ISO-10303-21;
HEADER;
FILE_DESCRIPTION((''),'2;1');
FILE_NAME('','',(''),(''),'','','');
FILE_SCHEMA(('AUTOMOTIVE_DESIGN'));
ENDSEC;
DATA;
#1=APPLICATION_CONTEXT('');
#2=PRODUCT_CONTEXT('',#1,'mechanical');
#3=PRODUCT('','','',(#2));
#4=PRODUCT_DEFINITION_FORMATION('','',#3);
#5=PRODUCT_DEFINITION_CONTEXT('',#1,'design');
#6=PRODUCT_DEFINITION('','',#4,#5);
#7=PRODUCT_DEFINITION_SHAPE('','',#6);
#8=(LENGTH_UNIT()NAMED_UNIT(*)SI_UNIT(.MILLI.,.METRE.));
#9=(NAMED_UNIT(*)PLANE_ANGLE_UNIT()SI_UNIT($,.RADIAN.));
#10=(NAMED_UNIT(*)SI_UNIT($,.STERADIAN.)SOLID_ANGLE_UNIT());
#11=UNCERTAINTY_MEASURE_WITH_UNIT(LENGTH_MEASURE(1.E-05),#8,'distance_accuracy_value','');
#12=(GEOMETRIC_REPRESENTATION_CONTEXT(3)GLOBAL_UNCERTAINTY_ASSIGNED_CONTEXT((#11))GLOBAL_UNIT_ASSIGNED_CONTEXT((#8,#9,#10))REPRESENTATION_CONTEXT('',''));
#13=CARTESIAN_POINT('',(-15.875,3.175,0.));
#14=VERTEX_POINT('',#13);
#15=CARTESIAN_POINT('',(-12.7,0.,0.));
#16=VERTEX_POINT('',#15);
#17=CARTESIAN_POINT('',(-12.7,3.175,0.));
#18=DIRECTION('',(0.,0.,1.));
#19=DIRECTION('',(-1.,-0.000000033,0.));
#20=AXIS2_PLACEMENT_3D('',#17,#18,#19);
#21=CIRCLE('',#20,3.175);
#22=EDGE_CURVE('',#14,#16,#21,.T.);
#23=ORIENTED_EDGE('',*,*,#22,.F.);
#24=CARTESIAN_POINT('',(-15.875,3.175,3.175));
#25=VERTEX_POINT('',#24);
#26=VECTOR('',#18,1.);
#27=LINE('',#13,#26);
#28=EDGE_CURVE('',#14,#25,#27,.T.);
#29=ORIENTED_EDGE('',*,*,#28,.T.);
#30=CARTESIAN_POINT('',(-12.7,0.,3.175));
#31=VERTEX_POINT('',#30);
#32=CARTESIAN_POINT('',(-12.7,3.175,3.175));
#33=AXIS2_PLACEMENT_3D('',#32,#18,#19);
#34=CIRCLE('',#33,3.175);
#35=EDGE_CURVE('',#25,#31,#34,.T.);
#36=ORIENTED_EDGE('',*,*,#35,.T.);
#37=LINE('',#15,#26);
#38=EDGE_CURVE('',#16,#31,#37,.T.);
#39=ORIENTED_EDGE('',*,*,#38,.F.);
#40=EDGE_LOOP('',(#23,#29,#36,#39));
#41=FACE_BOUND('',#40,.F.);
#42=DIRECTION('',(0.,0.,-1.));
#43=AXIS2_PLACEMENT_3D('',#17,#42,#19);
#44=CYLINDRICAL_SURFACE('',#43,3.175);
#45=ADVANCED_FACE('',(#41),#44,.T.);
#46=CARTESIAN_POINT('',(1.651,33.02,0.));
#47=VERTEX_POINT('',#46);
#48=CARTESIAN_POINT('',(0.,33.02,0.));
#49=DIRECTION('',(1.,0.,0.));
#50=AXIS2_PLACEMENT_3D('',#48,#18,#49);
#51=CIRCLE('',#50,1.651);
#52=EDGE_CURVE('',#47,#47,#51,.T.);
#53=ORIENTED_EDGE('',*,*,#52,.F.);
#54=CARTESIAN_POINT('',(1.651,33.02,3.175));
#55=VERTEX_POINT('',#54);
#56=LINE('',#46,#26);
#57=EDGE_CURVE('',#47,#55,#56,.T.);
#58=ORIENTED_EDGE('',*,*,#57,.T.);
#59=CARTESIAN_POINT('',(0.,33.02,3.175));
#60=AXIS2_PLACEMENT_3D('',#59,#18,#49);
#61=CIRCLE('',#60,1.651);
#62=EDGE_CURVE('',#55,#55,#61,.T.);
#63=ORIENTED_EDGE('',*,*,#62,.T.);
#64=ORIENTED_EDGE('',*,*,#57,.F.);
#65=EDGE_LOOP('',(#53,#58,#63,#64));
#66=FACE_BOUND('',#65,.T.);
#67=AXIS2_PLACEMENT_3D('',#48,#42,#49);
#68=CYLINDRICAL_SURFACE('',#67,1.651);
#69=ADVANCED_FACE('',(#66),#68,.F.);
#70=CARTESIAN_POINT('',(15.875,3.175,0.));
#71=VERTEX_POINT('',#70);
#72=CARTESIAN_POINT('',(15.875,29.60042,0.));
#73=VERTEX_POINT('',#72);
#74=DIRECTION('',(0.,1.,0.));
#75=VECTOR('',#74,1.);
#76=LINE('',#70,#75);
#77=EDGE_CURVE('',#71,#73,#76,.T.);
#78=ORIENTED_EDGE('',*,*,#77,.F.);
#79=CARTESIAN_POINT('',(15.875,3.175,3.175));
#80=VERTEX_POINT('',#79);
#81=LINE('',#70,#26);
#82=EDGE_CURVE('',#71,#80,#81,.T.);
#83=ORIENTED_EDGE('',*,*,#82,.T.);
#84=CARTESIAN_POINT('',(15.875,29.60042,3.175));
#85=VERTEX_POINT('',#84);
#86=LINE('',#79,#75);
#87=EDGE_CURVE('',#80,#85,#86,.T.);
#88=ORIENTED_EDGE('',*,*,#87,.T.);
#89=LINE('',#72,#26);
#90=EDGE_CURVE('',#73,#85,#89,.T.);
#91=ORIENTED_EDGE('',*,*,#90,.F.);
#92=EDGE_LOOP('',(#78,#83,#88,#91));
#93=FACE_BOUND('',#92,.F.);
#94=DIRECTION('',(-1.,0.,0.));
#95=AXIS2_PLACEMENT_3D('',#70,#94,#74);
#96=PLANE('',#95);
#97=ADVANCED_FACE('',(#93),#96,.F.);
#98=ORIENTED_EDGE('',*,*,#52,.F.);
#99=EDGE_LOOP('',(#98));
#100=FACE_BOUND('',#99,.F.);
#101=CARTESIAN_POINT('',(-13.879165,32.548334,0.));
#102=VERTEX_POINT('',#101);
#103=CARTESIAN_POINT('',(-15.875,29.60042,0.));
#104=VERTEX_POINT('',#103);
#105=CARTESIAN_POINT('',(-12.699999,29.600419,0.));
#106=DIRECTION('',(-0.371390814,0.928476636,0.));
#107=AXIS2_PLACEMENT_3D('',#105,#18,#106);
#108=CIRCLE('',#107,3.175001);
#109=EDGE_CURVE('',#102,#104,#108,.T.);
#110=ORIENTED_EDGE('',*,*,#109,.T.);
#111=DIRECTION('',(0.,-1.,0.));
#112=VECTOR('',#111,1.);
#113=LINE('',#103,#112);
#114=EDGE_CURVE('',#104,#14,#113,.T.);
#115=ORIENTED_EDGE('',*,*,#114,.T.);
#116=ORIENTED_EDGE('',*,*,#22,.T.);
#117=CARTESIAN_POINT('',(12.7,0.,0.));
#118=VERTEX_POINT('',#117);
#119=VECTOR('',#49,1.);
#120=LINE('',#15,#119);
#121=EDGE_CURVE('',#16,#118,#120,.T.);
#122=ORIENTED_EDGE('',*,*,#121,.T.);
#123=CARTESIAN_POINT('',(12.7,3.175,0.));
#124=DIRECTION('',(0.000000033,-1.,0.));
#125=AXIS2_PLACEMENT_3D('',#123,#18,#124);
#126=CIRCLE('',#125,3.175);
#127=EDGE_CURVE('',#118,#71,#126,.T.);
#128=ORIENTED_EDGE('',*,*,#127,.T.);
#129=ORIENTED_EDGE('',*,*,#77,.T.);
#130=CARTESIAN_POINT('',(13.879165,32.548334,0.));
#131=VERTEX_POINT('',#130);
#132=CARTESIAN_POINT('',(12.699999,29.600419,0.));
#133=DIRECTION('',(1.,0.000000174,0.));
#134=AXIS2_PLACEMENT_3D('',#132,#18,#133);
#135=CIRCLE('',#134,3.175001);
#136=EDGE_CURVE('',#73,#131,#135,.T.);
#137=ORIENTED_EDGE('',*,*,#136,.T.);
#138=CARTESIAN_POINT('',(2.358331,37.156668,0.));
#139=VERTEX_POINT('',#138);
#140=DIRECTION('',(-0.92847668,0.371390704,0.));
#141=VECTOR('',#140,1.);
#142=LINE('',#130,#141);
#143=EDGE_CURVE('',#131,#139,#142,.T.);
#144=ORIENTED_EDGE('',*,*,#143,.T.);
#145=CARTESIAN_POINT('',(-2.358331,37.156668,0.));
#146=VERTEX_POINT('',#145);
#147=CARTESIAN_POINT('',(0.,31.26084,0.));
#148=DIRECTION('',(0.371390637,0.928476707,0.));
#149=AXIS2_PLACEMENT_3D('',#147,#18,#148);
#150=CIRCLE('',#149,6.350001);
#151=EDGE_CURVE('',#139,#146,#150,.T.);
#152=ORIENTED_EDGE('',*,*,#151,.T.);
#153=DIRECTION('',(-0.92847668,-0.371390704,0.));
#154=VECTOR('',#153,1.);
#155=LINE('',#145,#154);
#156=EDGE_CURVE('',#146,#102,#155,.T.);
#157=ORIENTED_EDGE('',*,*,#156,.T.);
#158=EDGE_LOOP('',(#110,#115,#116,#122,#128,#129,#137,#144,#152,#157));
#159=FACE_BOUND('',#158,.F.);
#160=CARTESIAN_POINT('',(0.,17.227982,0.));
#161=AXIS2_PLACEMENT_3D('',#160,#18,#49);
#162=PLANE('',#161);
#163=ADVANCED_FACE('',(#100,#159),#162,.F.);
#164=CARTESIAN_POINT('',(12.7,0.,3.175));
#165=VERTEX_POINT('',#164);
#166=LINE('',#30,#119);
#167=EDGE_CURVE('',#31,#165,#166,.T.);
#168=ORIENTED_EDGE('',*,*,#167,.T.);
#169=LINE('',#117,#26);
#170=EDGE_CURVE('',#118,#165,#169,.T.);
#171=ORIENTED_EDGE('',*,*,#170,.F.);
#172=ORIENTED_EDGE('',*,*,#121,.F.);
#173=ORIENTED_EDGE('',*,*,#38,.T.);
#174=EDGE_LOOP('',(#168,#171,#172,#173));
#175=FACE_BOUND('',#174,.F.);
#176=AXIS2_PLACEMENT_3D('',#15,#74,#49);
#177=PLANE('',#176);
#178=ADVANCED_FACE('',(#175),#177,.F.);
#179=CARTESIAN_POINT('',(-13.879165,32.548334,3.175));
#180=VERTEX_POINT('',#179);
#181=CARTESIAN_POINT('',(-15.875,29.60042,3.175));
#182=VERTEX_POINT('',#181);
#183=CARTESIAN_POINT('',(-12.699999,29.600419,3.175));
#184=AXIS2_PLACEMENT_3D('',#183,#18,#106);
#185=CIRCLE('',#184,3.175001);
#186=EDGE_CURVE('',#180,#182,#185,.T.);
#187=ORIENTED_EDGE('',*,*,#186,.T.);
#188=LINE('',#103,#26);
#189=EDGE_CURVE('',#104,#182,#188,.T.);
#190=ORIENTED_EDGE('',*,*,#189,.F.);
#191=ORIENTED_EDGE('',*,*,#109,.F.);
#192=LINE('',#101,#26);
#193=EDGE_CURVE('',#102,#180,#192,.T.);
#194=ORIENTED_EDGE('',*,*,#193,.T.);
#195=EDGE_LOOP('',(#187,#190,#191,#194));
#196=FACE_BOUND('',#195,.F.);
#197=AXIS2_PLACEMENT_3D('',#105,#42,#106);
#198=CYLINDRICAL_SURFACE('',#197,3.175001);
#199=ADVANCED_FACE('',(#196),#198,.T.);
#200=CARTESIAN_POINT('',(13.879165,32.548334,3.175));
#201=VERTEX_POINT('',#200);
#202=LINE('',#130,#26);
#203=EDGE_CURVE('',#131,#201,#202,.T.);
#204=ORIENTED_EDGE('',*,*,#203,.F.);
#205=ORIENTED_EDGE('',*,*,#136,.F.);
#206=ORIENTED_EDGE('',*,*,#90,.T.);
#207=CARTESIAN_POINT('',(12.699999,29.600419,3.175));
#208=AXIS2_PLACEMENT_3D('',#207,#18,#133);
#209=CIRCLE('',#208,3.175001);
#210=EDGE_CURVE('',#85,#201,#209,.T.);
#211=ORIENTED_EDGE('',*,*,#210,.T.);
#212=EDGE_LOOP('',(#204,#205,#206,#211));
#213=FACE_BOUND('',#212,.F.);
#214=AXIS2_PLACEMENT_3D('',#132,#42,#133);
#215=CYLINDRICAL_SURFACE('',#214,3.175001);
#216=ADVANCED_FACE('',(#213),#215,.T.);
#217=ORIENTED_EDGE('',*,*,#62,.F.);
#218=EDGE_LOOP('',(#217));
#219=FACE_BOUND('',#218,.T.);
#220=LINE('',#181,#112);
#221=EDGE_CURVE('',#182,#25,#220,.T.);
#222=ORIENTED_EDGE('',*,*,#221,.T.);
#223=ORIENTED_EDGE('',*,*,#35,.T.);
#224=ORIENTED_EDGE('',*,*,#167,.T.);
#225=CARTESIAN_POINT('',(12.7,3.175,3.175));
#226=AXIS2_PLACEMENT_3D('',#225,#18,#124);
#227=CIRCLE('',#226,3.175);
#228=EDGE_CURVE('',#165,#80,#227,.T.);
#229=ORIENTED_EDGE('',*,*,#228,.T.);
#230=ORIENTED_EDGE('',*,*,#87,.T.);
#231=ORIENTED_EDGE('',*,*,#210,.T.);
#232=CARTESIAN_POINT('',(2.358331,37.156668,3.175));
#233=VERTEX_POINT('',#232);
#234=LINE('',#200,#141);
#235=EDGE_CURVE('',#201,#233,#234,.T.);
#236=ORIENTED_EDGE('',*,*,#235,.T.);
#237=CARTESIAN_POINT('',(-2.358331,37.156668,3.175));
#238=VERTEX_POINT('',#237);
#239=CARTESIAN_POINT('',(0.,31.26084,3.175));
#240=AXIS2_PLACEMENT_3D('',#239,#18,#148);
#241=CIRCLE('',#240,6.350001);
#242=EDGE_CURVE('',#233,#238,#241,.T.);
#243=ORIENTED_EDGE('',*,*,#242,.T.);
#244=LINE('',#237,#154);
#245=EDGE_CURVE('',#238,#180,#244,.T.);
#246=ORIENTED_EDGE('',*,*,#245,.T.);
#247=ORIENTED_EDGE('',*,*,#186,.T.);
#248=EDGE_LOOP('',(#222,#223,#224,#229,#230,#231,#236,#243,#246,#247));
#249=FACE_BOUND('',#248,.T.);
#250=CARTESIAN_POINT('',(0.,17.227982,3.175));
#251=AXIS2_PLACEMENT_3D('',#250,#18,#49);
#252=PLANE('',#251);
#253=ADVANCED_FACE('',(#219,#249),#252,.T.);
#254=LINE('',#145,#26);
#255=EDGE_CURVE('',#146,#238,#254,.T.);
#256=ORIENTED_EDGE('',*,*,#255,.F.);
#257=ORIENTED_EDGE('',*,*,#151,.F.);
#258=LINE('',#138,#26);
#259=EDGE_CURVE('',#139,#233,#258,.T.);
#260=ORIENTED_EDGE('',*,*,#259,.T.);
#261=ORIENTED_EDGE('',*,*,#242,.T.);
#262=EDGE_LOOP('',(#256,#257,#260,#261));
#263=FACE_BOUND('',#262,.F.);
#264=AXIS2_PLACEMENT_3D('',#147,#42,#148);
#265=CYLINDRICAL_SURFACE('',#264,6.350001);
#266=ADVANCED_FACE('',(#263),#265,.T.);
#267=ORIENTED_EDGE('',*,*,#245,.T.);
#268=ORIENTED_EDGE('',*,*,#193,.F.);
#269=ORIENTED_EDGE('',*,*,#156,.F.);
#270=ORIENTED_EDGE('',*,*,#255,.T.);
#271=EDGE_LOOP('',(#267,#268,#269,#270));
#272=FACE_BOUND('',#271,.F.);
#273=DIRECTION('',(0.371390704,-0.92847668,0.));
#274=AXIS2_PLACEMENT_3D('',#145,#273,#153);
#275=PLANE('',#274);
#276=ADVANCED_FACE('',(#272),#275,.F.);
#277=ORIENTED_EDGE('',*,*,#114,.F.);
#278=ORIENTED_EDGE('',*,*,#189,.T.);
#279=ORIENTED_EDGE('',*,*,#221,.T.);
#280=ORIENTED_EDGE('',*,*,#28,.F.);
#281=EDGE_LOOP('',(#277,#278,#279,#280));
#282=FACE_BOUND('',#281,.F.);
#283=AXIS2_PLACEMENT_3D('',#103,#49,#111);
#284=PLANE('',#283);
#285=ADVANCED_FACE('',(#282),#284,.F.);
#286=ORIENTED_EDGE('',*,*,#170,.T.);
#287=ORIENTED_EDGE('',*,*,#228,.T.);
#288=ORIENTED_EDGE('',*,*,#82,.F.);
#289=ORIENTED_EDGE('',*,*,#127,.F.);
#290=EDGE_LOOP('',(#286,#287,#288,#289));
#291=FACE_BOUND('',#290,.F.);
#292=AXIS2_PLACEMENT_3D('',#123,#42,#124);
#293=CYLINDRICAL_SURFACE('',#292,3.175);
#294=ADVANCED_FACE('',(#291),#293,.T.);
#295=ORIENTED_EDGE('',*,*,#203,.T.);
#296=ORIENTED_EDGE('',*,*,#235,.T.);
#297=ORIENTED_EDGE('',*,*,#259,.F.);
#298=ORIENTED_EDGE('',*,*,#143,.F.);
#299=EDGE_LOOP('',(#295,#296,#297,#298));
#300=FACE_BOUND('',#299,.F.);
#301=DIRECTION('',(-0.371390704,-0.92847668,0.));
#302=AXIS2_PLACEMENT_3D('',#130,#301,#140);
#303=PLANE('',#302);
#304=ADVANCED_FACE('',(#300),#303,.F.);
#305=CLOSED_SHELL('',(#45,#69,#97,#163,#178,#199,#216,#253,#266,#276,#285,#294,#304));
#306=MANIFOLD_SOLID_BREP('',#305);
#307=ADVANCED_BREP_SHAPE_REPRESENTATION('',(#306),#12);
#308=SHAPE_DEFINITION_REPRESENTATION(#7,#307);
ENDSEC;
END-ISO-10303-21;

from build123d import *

# Parameters (mm, degrees)
F0_R     = 1.651
F1_DEPTH = 3.175


with BuildPart() as f1:
    # F0 (on Top) → F1 (new body)
    with BuildSketch(Plane.XY):
        with BuildLine():
            ThreePointArc((-15.875, 3.175), (-14.945064, 0.929936), (-12.7, 0))
            Line((-12.7, 0), (12.7, 0))
            ThreePointArc((12.7, 0), (14.945064, 0.929936), (15.875, 3.175))
            Line((15.875, 3.175), (15.875, 29.60042))
            ThreePointArc((15.875, 29.60042), (15.329113, 31.380417), (13.879165, 32.548334))
            Line((13.879165, 32.548334), (2.358331, 37.156668))
            ThreePointArc((2.358331, 37.156668), (0, 37.610841), (-2.358331, 37.156668))
            Line((-2.358331, 37.156668), (-13.879165, 32.548334))
            ThreePointArc((-13.879165, 32.548334), (-15.329113, 31.380417), (-15.875, 29.60042))
            Line((-15.875, 29.60042), (-15.875, 3.175))
        make_face()
        with Locations((0, 33.02)):
            Circle(F0_R, mode=Mode.SUBTRACT)
    extrude(amount=F1_DEPTH)


solid = f1.part
